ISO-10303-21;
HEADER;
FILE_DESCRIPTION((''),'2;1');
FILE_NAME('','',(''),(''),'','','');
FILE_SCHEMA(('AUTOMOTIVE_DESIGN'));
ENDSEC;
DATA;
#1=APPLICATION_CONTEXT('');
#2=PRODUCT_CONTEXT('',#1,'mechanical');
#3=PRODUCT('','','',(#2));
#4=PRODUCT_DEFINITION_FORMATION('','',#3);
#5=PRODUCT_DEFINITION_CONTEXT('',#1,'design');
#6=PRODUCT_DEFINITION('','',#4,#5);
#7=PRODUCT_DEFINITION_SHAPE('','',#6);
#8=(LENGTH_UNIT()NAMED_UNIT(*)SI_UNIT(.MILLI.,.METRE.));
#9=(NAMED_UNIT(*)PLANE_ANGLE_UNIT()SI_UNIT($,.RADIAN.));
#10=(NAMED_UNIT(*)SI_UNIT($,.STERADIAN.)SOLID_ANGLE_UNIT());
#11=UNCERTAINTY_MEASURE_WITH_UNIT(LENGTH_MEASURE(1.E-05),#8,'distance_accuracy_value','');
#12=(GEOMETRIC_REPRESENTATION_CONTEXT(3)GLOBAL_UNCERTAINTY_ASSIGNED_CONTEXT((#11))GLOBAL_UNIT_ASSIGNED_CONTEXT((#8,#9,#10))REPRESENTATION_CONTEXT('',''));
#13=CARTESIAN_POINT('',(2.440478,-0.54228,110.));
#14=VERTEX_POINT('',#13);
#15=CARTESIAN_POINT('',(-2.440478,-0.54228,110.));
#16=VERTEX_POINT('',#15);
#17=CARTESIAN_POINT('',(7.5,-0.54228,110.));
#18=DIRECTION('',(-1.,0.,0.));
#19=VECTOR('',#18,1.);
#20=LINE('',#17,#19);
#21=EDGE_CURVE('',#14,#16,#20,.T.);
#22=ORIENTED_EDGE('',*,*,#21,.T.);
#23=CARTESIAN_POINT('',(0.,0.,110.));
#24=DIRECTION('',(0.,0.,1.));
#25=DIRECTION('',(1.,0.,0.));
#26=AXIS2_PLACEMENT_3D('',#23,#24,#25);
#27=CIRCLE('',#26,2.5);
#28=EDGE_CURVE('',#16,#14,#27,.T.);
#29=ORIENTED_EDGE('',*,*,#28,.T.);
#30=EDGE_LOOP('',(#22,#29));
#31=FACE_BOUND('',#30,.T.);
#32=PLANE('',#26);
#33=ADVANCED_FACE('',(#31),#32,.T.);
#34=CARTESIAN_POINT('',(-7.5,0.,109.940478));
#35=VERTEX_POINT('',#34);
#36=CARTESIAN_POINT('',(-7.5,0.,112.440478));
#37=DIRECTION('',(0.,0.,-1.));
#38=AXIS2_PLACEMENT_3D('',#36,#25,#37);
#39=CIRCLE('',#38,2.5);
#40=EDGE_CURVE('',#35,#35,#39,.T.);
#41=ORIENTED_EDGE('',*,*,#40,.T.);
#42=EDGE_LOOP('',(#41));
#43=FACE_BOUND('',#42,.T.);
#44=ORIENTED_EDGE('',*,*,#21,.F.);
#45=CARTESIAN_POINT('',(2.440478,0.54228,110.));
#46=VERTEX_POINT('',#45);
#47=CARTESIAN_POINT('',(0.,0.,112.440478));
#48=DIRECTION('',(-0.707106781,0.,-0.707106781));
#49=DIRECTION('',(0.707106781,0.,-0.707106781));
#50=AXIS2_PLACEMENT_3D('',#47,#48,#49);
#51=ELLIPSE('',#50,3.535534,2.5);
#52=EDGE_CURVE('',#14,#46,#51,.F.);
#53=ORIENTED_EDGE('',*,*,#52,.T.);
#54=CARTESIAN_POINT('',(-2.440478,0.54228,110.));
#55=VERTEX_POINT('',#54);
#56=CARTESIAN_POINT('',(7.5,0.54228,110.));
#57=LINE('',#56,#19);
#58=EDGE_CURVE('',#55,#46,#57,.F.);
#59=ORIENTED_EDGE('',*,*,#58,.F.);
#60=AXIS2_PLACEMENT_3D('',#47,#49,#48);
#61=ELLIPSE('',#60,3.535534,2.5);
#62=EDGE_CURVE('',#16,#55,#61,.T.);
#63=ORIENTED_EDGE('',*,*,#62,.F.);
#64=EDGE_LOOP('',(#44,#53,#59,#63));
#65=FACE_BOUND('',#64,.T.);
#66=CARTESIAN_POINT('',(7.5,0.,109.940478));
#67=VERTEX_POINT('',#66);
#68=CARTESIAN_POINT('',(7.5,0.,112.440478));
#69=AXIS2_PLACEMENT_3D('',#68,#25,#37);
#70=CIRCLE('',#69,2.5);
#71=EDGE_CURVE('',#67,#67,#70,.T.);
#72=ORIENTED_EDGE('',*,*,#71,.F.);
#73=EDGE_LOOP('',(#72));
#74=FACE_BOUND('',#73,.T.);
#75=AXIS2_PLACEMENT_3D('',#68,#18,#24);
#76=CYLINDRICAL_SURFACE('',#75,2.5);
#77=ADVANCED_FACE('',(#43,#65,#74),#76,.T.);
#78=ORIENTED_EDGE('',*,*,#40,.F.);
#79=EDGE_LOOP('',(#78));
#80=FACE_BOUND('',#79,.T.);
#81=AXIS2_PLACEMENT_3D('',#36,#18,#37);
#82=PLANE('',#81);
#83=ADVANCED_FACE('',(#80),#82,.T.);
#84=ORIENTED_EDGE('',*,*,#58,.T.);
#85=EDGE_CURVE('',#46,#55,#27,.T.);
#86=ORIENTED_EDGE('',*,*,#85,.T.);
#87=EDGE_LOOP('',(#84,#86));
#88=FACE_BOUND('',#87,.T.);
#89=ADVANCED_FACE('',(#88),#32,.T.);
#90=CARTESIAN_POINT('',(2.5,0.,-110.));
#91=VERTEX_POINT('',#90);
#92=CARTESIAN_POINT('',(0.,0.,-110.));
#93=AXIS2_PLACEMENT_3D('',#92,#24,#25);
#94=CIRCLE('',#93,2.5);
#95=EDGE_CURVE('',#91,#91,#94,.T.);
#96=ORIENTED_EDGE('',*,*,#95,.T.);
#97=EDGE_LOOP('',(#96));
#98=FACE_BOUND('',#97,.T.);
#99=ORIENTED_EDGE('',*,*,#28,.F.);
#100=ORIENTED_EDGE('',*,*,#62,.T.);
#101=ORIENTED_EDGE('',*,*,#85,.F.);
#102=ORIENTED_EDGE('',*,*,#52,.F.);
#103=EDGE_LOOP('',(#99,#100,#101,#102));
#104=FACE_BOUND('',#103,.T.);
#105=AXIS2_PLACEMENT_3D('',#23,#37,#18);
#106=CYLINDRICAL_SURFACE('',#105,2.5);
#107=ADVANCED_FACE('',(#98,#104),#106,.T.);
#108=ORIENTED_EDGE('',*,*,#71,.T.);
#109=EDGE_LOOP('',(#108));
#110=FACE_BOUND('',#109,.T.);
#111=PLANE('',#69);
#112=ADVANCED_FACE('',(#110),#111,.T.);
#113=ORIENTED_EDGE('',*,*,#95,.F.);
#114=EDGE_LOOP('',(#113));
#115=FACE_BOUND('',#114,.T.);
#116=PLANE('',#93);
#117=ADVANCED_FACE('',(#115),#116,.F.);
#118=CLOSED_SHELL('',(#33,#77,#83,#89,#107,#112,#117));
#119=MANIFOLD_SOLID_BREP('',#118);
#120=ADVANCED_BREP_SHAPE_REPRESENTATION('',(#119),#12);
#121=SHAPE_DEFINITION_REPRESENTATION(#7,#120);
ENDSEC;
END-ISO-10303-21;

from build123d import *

# Parameters (mm, degrees)
SKETCH_1_R      = 2.5
EXTRUDE_1_DEPTH = 110
SKETCH_2_R      = 2.5
EXTRUDE_2_DEPTH = 7.5


with BuildPart() as part:
    # 草图1 → 凸台-拉伸1 (new, symmetric)
    with BuildSketch(Plane.XY):
        Circle(SKETCH_1_R)
    extrude(amount=EXTRUDE_1_DEPTH, both=True)

    # 草图2 → 凸台-拉伸2 (add)
    with BuildSketch(Plane(origin=(0, 0, 0), x_dir=(0, 0, -1), z_dir=(1, 0, 0))):
        with Locations(Location((-112.44047791, 0, 0), (0, 0, 12.527723759))):
            Circle(SKETCH_2_R)
    extrude_2 = extrude(amount=EXTRUDE_2_DEPTH)

    # 镜向1: 凸台-拉伸2 across plane
    add(extrude_2.mirror(Plane(origin=(0, 0, 0), x_dir=(0, 0, 1), z_dir=(1, 0, 0))))


solid = part.part
